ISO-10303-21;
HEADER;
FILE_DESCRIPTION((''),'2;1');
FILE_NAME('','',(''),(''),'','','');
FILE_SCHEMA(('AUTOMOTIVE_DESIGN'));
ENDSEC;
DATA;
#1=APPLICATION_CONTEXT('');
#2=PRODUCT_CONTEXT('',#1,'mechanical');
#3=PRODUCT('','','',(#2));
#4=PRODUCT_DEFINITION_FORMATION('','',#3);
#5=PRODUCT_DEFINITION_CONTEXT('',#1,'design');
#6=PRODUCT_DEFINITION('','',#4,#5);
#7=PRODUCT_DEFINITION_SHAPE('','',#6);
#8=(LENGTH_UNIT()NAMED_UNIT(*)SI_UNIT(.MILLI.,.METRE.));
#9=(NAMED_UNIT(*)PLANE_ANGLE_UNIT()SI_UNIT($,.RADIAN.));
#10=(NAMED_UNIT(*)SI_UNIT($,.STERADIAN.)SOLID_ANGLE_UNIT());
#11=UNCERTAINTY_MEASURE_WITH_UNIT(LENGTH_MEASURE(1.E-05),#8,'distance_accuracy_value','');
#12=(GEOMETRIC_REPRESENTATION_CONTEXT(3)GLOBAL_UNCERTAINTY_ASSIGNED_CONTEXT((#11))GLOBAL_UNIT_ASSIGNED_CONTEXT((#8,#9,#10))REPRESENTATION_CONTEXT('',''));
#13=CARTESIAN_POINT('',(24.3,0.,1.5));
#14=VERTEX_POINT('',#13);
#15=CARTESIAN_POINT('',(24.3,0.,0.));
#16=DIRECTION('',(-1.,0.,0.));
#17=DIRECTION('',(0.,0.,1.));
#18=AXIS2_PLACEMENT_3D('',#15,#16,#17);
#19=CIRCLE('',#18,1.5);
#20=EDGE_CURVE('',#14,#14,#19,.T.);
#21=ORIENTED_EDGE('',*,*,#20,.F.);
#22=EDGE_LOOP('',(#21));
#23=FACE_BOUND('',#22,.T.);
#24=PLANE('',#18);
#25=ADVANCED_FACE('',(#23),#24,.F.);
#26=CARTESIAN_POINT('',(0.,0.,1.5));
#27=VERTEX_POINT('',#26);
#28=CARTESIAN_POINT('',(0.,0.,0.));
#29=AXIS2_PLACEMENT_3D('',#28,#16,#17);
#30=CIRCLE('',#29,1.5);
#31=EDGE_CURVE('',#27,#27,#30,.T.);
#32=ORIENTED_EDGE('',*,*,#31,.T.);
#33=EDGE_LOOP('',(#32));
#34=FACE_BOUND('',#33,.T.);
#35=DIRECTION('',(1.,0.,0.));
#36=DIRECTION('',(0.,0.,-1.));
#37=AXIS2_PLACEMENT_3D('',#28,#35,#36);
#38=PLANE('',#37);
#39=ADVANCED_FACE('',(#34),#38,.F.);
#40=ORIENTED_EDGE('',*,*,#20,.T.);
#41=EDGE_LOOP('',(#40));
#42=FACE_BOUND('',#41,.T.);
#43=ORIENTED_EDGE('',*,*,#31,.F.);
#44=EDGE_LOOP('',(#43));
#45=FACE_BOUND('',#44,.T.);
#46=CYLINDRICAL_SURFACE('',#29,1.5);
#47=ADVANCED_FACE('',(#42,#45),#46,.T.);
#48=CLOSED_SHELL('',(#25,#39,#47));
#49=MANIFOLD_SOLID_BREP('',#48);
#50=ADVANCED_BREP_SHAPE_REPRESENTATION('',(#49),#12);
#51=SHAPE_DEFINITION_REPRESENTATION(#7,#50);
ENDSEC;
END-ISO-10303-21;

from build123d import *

# Parameters (mm, degrees)
SKETCH1_W = 24.3
SKETCH1_H = 1.5


with BuildPart() as part:
    # Sketch1 → Revolve1 (revolve)
    with BuildSketch(Plane.XY, mode=Mode.PRIVATE) as revolve1_sk:
        with Locations((12.15, 0.75)):
            Rectangle(SKETCH1_W, SKETCH1_H)
    revolve(revolve1_sk.sketch.rotate(Axis((0, 0, 0), (1, 0, 0)), 90), axis=Axis((0, 0, 0), (1, 0, 0)))


solid = part.part
